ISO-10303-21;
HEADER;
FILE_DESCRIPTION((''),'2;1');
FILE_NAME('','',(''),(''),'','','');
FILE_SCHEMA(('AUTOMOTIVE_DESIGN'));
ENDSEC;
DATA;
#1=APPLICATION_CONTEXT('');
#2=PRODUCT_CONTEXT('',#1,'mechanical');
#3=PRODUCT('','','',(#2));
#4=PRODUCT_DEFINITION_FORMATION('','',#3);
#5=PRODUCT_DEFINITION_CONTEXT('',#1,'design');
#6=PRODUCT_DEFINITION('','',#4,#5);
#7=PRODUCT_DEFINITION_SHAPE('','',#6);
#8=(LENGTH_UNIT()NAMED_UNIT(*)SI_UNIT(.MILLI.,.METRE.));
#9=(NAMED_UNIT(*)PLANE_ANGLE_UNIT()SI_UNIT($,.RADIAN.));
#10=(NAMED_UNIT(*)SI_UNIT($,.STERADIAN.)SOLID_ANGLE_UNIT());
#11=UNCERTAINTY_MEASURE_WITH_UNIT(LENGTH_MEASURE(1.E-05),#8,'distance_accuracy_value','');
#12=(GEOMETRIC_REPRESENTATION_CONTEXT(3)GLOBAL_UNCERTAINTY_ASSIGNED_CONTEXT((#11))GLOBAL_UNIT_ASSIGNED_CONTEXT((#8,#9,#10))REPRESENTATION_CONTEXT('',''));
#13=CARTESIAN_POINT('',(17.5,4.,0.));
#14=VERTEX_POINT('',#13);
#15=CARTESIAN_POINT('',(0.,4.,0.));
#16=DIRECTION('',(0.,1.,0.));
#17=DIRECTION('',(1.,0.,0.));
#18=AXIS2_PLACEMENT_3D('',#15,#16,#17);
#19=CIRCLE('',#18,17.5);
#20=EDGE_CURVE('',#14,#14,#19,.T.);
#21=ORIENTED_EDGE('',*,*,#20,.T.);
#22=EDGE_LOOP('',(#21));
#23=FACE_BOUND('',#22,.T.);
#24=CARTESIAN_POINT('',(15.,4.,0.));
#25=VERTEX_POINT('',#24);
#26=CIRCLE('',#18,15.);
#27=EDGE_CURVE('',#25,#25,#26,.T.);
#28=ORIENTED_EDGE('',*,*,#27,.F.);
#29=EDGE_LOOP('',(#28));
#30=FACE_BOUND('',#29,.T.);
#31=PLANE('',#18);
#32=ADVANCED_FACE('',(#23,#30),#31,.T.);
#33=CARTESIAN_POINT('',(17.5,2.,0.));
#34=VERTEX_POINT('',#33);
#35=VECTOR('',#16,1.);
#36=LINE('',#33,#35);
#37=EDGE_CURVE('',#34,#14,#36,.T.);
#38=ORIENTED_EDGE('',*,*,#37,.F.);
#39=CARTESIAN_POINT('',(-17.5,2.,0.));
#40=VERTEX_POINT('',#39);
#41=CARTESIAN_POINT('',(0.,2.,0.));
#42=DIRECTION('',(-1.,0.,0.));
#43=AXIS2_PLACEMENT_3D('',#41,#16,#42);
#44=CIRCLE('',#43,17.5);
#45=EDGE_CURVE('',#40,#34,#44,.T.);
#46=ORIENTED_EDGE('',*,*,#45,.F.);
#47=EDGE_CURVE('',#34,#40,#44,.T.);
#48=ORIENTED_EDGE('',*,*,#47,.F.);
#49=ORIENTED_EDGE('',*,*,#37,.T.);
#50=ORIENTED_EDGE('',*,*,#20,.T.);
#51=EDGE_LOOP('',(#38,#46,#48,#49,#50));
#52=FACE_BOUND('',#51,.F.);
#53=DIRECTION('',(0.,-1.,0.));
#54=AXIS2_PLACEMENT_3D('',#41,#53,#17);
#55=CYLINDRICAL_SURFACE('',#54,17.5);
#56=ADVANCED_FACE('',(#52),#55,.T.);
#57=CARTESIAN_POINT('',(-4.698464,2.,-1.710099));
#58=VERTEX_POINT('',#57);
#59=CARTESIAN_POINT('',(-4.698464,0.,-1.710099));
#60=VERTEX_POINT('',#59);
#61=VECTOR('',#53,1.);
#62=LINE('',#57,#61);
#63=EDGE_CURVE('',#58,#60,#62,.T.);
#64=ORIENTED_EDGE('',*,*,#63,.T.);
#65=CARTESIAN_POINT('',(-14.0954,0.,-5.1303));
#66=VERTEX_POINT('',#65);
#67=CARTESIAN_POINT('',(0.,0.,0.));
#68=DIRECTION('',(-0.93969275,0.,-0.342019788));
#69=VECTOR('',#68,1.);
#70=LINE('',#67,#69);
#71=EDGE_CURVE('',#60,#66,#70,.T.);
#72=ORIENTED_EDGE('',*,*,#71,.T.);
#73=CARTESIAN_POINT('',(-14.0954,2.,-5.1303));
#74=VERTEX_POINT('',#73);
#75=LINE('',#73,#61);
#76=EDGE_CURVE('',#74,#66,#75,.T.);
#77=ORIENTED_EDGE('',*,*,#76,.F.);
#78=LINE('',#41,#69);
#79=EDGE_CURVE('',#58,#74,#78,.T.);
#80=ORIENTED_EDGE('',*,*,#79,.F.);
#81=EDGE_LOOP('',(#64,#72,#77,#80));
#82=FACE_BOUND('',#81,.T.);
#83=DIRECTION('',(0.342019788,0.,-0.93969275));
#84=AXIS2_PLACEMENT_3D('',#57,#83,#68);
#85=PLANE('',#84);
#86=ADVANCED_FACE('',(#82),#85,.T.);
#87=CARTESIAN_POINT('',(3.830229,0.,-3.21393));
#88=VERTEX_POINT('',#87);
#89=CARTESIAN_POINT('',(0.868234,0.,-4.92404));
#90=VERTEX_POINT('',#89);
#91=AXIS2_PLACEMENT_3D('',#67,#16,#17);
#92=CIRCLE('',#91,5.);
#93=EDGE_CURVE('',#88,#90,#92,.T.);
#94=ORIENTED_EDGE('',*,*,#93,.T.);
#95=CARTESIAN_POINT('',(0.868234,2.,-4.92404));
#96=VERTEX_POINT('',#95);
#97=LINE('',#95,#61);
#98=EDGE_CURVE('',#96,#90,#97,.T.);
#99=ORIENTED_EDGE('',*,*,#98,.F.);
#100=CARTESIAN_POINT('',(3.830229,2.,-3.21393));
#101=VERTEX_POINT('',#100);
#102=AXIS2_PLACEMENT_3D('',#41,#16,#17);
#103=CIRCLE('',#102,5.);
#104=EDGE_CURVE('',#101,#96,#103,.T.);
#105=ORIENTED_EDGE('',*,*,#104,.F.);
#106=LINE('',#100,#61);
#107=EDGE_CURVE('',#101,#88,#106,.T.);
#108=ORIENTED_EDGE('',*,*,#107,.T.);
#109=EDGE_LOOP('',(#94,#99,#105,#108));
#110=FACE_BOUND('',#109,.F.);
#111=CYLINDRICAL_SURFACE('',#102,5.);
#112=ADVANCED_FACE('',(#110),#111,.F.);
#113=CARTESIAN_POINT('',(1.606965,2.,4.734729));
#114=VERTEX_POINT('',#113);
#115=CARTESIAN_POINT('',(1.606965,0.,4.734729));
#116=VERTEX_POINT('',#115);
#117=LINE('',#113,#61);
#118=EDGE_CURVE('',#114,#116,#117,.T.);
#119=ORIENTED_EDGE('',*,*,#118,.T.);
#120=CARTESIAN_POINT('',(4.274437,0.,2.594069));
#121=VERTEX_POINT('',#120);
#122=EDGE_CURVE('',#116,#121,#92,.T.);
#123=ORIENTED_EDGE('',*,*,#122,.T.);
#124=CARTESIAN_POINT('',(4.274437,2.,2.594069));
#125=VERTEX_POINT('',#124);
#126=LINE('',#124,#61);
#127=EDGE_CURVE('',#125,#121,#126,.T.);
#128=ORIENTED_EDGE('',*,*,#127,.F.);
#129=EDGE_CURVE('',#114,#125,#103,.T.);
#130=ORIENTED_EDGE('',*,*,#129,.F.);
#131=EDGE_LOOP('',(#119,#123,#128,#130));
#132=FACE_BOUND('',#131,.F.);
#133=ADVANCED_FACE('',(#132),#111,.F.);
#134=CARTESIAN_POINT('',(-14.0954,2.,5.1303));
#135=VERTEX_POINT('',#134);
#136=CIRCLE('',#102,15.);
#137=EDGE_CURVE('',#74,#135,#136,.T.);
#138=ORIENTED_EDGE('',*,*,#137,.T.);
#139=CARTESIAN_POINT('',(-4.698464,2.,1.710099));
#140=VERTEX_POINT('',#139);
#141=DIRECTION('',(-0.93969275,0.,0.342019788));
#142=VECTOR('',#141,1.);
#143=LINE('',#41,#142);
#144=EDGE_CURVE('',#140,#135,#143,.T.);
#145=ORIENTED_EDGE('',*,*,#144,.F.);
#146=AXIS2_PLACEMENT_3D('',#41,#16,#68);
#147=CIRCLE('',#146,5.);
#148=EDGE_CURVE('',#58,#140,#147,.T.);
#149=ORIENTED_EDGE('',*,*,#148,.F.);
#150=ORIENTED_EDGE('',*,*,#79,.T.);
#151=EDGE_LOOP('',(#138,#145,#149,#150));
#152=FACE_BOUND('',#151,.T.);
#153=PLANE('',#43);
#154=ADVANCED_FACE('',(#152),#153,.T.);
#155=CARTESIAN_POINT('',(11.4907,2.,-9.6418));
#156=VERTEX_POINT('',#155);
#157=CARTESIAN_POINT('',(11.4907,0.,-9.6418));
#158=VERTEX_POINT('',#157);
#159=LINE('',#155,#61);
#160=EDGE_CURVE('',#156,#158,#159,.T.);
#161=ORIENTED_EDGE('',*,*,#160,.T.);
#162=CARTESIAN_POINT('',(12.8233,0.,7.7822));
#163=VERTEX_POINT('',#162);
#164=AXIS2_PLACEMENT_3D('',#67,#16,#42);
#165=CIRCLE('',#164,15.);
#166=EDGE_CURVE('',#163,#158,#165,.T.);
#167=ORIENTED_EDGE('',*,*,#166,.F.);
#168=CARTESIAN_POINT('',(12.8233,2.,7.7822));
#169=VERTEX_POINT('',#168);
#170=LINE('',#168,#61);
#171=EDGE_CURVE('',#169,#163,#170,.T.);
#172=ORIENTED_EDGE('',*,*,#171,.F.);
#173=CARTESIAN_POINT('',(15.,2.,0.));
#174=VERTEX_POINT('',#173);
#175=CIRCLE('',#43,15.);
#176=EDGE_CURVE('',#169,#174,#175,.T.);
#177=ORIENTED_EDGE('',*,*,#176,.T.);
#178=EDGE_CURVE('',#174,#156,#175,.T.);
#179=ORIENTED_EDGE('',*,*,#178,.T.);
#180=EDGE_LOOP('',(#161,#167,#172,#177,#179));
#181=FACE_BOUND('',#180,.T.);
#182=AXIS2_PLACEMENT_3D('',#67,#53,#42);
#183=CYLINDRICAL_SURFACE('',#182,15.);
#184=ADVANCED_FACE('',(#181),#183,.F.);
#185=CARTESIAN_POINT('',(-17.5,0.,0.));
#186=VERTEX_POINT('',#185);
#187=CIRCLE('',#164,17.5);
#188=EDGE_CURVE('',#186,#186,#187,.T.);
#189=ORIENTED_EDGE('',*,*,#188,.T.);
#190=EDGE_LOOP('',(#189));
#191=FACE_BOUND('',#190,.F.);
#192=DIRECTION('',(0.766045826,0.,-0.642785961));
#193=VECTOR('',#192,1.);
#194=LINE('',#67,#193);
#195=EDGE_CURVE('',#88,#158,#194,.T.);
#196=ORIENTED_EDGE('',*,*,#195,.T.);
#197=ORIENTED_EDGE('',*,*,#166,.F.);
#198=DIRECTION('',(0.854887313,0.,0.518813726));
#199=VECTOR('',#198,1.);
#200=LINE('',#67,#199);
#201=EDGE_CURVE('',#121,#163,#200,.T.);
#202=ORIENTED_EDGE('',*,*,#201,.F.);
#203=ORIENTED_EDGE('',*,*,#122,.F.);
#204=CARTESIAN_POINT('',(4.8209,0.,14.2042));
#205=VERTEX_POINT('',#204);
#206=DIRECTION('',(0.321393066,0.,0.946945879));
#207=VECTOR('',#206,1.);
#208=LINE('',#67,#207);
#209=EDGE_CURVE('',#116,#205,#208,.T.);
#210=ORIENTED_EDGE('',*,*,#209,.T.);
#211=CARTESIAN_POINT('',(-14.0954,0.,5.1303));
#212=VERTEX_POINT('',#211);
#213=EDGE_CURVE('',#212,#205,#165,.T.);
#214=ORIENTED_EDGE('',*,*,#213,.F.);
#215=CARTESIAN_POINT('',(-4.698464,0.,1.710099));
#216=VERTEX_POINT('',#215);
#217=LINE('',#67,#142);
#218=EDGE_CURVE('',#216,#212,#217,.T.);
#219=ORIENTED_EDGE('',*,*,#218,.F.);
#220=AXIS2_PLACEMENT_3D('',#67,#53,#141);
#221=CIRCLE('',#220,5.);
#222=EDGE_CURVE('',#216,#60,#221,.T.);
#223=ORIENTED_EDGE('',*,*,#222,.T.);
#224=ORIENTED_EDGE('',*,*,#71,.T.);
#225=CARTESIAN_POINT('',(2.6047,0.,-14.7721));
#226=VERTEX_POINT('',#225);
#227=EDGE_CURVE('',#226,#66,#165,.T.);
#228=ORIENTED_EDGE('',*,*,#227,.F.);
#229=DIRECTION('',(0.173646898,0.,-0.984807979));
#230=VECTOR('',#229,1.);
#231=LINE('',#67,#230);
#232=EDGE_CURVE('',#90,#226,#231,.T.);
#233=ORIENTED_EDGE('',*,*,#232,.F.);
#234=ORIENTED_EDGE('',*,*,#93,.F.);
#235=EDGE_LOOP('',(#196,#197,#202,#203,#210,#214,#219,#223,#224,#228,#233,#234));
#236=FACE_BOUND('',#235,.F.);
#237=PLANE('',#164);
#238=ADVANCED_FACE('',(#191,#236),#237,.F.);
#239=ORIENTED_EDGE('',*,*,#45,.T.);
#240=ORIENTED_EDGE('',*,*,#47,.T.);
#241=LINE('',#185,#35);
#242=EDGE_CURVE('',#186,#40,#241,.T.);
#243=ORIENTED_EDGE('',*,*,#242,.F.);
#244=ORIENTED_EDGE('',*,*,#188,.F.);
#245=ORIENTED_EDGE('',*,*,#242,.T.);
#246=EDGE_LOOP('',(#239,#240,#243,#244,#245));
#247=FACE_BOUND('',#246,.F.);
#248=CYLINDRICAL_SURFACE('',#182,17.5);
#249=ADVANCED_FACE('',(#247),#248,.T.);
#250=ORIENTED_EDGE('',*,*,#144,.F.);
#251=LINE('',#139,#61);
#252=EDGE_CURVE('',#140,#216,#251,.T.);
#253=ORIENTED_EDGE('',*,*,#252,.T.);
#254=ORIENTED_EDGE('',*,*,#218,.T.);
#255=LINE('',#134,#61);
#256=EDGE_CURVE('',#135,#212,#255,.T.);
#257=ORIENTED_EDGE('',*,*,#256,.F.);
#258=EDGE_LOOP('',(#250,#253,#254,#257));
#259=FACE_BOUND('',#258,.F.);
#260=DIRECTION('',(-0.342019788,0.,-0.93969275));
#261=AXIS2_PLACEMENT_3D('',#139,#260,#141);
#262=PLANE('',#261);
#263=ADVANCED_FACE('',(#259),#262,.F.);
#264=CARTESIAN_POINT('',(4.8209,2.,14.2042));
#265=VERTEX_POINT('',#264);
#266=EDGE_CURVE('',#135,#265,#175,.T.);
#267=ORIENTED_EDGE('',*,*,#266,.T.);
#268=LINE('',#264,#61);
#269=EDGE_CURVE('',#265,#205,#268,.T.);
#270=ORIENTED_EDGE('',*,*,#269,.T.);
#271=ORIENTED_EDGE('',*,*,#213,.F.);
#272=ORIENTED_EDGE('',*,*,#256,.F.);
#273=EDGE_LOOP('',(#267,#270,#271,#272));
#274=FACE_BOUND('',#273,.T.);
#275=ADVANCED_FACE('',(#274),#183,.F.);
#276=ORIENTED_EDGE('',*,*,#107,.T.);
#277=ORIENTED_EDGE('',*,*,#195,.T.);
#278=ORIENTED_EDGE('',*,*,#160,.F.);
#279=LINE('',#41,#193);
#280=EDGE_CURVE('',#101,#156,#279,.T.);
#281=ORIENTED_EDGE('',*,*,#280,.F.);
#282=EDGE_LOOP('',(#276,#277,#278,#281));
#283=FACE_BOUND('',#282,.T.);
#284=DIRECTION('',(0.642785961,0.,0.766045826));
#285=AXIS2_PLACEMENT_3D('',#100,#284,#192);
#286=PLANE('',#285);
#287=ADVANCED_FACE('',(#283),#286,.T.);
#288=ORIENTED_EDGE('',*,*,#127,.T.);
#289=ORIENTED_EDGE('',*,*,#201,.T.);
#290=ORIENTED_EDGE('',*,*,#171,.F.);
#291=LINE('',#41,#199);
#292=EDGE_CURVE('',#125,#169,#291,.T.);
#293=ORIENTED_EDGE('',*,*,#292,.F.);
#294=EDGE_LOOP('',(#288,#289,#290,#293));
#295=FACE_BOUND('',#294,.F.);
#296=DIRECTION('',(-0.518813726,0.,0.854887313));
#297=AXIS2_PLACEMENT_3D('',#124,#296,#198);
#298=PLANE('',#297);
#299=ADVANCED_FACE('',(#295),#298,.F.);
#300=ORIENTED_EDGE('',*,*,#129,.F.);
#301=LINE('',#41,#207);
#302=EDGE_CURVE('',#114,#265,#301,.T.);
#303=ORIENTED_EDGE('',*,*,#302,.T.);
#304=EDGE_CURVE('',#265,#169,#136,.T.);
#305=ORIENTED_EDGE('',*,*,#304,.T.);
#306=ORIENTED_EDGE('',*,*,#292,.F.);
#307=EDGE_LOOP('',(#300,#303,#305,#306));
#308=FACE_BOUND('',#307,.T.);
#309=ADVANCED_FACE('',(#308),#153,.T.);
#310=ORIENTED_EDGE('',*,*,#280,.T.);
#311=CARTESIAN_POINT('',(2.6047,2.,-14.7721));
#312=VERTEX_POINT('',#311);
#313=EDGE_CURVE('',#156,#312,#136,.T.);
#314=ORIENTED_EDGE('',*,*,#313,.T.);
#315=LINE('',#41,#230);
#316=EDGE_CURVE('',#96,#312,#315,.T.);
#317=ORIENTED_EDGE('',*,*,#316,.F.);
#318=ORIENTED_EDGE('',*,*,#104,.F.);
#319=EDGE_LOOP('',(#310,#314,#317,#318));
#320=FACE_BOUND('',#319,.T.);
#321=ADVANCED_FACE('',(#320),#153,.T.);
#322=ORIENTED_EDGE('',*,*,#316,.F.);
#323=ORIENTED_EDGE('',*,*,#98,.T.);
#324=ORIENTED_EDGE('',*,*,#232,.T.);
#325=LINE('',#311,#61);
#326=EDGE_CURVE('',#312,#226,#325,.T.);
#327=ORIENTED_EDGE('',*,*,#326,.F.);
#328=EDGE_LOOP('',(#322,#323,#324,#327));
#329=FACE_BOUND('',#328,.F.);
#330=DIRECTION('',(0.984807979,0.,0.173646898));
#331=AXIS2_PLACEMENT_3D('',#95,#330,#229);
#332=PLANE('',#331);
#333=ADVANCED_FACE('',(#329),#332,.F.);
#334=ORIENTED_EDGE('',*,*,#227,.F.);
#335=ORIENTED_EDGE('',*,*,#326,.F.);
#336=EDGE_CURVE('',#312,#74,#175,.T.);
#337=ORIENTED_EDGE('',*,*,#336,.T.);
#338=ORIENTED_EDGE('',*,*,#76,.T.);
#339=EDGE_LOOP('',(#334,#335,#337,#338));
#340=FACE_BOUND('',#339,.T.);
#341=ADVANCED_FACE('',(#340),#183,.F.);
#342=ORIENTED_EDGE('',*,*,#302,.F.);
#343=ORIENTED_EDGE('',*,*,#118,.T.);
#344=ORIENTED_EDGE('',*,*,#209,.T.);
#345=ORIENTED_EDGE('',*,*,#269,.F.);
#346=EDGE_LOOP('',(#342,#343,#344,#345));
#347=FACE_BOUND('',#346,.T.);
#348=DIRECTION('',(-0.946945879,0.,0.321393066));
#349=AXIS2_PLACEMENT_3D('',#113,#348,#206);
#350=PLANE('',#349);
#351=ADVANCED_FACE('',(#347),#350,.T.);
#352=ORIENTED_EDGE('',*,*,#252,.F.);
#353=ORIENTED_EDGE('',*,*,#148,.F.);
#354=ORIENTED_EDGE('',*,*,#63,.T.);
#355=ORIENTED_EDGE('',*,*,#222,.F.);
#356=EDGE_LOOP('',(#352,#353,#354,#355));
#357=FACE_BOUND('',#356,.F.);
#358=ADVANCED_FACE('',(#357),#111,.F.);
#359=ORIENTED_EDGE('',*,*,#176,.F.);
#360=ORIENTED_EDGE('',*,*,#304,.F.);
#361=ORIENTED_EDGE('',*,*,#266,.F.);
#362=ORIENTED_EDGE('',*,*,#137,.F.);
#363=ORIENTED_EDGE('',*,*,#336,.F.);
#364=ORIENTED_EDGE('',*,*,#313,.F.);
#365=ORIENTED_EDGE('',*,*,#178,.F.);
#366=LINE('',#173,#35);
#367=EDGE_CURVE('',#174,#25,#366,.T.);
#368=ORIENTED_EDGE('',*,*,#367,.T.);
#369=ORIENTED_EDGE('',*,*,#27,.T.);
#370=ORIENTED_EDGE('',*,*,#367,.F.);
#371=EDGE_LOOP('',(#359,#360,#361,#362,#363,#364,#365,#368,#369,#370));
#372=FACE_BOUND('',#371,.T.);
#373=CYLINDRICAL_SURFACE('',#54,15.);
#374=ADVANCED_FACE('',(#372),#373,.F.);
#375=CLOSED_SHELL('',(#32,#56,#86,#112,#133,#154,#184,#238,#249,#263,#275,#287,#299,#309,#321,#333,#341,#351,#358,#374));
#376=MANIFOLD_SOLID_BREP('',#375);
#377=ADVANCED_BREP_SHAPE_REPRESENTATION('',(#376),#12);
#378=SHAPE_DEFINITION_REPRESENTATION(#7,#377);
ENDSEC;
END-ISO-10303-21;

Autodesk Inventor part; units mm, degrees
ref_plane "YZ Plane" through (0, 0, 0) normal (1, 0, 0) x (0, 1, 0)
ref_plane "XZ Plane" through (0, 0, 0) normal (0, 1, 0) x (-1, 0, 0)
ref_plane "XY Plane" through (0, 0, 0) normal (0, 0, 1) x (1, 0, 0)
sketch "스케치1" plane through (0, 0, 0) normal (0, 1, 0) x (-1, 0, 0)
  circle A0 centre (0, 0) radius 15
  circle A1 centre (0, 0) radius 17.5
  dimension "d0" = 30
  dimension "d1" = 35
extrude "돌출1" add sketch "스케치1" along normal blind 2
sketch "스케치2" plane through (0, 2, 0) normal (0, 1, 0) x (1, 0, 0)
  line L0 (0, 0) -> (-15, 0)
  circle A0 centre (0, 0) radius 15 projected
  line L1 (0, 0) -> (-14.0954, -5.1303)
  line L2 (0, 0) -> (15, 0) construction
  line L3 (0, 0) -> (-14.0954, 5.1303)
  line L4 (0, 0) -> (11.4907, 9.6418)
  line L5 (0, 0) -> (2.6047, 14.7721)
  line L6 (0, 0) -> (12.8233, -7.7822)
  line L7 (0, 0) -> (4.8209, -14.2042)
  arc A1 (-14.0954, 5.1303) -> (-14.0954, -5.1303) centre (0, 0) ccw
  arc A2 (4.8209, -14.2042) -> (12.8233, -7.7822) centre (0, 0) ccw
  arc A3 (11.4907, 9.6418) -> (2.6047, 14.7721) centre (0, 0) ccw
  circle A4 centre (0, 0) radius 5
  point P0 (-7.5, 0)
  point P1 (0.8682, 4.924)
  point P2 (3.8302, 3.2139)
  point P3 (4.2744, -2.5941)
  point P4 (1.607, -4.7347)
  point P5 (-4.6985, 1.7101)
  point P6 (-4.6985, -1.7101)
  dimension "d15" = 10
extrude "돌출2" add sketch "스케치2" against normal blind 2 contours A4 L1 A0 L0 | L0 A0 L3 A4 | A4 L5 A0 L4 | L6 A0 L7 A4
sketch "스케치3" plane through (0, 2, 0) normal (0, 1, 0) x (1, 0, 0)
  circle A0 centre (0, 0) radius 15
  circle A1 centre (0, 0) radius 17.5
  dimension "d18" = 30
extrude "돌출3" add sketch "스케치3" along normal blind 2
properties part number "fan_num5_1"
